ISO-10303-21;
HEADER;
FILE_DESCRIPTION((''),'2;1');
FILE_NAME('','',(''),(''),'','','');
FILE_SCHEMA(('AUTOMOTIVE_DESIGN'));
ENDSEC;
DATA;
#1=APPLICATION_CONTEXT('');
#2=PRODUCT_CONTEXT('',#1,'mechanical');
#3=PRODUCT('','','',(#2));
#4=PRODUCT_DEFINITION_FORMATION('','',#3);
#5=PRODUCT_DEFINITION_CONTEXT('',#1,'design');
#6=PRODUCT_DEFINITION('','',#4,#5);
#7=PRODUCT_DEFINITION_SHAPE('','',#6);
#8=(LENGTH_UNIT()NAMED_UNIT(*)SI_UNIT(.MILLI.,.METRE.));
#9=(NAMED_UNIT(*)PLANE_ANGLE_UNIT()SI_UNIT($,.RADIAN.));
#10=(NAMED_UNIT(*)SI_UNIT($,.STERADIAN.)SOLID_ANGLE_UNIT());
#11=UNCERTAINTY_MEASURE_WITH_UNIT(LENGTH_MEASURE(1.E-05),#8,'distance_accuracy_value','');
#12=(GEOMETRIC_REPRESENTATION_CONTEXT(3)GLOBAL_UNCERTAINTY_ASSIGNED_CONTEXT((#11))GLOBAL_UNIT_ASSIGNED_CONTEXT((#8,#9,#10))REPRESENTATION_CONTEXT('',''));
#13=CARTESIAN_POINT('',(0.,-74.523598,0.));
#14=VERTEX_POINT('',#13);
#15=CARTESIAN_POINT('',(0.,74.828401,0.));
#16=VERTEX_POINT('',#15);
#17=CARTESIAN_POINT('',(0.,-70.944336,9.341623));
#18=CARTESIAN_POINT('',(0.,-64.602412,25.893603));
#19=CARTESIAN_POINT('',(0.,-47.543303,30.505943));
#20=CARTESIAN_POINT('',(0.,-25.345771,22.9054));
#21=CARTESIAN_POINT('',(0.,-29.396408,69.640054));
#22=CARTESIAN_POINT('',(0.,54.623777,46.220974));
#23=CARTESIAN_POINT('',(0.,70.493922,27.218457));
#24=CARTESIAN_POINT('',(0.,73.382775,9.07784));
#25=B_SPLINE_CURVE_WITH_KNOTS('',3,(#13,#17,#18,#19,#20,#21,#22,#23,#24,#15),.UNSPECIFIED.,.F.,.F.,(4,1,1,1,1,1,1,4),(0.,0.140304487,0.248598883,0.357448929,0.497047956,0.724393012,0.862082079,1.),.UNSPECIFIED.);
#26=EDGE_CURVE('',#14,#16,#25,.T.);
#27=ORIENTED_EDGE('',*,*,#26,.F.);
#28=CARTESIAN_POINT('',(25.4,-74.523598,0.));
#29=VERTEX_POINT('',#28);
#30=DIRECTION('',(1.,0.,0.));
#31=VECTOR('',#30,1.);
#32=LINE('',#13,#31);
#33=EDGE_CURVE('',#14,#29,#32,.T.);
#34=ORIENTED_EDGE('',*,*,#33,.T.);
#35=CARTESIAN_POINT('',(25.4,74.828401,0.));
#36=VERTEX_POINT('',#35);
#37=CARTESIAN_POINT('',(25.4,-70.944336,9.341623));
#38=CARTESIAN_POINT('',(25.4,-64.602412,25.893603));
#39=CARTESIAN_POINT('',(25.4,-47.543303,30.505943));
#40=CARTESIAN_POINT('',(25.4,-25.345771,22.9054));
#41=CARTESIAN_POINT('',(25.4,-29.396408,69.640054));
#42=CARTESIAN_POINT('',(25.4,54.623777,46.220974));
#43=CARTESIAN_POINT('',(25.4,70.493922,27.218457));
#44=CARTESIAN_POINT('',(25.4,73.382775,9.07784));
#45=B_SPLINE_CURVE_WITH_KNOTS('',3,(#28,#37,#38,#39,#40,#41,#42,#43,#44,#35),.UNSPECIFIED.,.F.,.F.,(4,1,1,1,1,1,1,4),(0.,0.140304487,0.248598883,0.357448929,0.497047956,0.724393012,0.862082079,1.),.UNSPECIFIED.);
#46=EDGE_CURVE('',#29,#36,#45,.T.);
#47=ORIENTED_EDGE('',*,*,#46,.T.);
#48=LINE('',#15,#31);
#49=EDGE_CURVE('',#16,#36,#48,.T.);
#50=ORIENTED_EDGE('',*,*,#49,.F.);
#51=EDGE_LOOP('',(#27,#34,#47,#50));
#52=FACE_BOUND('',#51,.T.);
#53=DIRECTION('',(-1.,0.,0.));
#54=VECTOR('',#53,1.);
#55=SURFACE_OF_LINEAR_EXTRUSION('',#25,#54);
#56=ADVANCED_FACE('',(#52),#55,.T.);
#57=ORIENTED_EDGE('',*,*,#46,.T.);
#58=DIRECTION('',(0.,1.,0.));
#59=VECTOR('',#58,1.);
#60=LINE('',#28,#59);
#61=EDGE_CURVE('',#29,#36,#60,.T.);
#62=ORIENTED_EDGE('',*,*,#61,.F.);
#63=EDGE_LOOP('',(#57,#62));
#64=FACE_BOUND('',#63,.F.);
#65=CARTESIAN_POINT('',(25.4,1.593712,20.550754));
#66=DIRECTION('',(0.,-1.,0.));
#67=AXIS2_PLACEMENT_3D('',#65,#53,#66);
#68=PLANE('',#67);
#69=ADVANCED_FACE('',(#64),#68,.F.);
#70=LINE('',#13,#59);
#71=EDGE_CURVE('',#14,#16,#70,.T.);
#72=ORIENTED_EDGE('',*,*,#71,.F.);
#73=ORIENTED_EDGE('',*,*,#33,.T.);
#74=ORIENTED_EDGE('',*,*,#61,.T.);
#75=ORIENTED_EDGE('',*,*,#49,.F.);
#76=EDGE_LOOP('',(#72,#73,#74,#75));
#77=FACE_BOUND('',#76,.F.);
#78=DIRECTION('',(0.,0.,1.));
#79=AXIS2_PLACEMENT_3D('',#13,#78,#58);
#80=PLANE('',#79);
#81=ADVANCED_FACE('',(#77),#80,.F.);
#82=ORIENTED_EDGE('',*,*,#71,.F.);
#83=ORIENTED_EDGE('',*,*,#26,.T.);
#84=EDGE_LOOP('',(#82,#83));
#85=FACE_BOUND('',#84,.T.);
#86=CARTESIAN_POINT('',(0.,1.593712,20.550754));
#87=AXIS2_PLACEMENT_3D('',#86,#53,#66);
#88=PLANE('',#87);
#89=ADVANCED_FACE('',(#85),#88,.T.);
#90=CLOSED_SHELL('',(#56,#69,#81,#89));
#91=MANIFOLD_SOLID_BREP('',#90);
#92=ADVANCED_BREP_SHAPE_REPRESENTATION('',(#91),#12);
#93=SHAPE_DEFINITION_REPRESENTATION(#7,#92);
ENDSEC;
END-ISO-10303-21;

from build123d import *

# Parameters (mm, degrees)
F1_DEPTH = 25.4


with BuildPart() as f1:
    # F0 (on Right) → F1 (new body)
    with BuildSketch(Plane.YZ):
        with BuildLine():
            add(Edge.make_bspline(
                [(-74.5235979557, 0), (-70.9443364772, 9.3416231853), (-64.6024124028, 25.893603343), (-47.5433025916, 30.5059429233), (-25.3457707482, 22.9053999621), (-29.3964077277, 69.6400537014), (54.623777186, 46.2209742453), (70.4939218705, 27.2184570482), (73.3827751659, 9.0778400981), (74.8284012079, 0)],
                knots=[0, 0, 0, 0, 0.1403044873, 0.248598883, 0.3574489292, 0.4970479561, 0.7243930117, 0.8620820793, 1, 1, 1, 1], degree=3))
            Line((-74.5235979557, 0), (74.8284012079, 0))
        make_face()
    extrude(amount=F1_DEPTH)


solid = f1.part
